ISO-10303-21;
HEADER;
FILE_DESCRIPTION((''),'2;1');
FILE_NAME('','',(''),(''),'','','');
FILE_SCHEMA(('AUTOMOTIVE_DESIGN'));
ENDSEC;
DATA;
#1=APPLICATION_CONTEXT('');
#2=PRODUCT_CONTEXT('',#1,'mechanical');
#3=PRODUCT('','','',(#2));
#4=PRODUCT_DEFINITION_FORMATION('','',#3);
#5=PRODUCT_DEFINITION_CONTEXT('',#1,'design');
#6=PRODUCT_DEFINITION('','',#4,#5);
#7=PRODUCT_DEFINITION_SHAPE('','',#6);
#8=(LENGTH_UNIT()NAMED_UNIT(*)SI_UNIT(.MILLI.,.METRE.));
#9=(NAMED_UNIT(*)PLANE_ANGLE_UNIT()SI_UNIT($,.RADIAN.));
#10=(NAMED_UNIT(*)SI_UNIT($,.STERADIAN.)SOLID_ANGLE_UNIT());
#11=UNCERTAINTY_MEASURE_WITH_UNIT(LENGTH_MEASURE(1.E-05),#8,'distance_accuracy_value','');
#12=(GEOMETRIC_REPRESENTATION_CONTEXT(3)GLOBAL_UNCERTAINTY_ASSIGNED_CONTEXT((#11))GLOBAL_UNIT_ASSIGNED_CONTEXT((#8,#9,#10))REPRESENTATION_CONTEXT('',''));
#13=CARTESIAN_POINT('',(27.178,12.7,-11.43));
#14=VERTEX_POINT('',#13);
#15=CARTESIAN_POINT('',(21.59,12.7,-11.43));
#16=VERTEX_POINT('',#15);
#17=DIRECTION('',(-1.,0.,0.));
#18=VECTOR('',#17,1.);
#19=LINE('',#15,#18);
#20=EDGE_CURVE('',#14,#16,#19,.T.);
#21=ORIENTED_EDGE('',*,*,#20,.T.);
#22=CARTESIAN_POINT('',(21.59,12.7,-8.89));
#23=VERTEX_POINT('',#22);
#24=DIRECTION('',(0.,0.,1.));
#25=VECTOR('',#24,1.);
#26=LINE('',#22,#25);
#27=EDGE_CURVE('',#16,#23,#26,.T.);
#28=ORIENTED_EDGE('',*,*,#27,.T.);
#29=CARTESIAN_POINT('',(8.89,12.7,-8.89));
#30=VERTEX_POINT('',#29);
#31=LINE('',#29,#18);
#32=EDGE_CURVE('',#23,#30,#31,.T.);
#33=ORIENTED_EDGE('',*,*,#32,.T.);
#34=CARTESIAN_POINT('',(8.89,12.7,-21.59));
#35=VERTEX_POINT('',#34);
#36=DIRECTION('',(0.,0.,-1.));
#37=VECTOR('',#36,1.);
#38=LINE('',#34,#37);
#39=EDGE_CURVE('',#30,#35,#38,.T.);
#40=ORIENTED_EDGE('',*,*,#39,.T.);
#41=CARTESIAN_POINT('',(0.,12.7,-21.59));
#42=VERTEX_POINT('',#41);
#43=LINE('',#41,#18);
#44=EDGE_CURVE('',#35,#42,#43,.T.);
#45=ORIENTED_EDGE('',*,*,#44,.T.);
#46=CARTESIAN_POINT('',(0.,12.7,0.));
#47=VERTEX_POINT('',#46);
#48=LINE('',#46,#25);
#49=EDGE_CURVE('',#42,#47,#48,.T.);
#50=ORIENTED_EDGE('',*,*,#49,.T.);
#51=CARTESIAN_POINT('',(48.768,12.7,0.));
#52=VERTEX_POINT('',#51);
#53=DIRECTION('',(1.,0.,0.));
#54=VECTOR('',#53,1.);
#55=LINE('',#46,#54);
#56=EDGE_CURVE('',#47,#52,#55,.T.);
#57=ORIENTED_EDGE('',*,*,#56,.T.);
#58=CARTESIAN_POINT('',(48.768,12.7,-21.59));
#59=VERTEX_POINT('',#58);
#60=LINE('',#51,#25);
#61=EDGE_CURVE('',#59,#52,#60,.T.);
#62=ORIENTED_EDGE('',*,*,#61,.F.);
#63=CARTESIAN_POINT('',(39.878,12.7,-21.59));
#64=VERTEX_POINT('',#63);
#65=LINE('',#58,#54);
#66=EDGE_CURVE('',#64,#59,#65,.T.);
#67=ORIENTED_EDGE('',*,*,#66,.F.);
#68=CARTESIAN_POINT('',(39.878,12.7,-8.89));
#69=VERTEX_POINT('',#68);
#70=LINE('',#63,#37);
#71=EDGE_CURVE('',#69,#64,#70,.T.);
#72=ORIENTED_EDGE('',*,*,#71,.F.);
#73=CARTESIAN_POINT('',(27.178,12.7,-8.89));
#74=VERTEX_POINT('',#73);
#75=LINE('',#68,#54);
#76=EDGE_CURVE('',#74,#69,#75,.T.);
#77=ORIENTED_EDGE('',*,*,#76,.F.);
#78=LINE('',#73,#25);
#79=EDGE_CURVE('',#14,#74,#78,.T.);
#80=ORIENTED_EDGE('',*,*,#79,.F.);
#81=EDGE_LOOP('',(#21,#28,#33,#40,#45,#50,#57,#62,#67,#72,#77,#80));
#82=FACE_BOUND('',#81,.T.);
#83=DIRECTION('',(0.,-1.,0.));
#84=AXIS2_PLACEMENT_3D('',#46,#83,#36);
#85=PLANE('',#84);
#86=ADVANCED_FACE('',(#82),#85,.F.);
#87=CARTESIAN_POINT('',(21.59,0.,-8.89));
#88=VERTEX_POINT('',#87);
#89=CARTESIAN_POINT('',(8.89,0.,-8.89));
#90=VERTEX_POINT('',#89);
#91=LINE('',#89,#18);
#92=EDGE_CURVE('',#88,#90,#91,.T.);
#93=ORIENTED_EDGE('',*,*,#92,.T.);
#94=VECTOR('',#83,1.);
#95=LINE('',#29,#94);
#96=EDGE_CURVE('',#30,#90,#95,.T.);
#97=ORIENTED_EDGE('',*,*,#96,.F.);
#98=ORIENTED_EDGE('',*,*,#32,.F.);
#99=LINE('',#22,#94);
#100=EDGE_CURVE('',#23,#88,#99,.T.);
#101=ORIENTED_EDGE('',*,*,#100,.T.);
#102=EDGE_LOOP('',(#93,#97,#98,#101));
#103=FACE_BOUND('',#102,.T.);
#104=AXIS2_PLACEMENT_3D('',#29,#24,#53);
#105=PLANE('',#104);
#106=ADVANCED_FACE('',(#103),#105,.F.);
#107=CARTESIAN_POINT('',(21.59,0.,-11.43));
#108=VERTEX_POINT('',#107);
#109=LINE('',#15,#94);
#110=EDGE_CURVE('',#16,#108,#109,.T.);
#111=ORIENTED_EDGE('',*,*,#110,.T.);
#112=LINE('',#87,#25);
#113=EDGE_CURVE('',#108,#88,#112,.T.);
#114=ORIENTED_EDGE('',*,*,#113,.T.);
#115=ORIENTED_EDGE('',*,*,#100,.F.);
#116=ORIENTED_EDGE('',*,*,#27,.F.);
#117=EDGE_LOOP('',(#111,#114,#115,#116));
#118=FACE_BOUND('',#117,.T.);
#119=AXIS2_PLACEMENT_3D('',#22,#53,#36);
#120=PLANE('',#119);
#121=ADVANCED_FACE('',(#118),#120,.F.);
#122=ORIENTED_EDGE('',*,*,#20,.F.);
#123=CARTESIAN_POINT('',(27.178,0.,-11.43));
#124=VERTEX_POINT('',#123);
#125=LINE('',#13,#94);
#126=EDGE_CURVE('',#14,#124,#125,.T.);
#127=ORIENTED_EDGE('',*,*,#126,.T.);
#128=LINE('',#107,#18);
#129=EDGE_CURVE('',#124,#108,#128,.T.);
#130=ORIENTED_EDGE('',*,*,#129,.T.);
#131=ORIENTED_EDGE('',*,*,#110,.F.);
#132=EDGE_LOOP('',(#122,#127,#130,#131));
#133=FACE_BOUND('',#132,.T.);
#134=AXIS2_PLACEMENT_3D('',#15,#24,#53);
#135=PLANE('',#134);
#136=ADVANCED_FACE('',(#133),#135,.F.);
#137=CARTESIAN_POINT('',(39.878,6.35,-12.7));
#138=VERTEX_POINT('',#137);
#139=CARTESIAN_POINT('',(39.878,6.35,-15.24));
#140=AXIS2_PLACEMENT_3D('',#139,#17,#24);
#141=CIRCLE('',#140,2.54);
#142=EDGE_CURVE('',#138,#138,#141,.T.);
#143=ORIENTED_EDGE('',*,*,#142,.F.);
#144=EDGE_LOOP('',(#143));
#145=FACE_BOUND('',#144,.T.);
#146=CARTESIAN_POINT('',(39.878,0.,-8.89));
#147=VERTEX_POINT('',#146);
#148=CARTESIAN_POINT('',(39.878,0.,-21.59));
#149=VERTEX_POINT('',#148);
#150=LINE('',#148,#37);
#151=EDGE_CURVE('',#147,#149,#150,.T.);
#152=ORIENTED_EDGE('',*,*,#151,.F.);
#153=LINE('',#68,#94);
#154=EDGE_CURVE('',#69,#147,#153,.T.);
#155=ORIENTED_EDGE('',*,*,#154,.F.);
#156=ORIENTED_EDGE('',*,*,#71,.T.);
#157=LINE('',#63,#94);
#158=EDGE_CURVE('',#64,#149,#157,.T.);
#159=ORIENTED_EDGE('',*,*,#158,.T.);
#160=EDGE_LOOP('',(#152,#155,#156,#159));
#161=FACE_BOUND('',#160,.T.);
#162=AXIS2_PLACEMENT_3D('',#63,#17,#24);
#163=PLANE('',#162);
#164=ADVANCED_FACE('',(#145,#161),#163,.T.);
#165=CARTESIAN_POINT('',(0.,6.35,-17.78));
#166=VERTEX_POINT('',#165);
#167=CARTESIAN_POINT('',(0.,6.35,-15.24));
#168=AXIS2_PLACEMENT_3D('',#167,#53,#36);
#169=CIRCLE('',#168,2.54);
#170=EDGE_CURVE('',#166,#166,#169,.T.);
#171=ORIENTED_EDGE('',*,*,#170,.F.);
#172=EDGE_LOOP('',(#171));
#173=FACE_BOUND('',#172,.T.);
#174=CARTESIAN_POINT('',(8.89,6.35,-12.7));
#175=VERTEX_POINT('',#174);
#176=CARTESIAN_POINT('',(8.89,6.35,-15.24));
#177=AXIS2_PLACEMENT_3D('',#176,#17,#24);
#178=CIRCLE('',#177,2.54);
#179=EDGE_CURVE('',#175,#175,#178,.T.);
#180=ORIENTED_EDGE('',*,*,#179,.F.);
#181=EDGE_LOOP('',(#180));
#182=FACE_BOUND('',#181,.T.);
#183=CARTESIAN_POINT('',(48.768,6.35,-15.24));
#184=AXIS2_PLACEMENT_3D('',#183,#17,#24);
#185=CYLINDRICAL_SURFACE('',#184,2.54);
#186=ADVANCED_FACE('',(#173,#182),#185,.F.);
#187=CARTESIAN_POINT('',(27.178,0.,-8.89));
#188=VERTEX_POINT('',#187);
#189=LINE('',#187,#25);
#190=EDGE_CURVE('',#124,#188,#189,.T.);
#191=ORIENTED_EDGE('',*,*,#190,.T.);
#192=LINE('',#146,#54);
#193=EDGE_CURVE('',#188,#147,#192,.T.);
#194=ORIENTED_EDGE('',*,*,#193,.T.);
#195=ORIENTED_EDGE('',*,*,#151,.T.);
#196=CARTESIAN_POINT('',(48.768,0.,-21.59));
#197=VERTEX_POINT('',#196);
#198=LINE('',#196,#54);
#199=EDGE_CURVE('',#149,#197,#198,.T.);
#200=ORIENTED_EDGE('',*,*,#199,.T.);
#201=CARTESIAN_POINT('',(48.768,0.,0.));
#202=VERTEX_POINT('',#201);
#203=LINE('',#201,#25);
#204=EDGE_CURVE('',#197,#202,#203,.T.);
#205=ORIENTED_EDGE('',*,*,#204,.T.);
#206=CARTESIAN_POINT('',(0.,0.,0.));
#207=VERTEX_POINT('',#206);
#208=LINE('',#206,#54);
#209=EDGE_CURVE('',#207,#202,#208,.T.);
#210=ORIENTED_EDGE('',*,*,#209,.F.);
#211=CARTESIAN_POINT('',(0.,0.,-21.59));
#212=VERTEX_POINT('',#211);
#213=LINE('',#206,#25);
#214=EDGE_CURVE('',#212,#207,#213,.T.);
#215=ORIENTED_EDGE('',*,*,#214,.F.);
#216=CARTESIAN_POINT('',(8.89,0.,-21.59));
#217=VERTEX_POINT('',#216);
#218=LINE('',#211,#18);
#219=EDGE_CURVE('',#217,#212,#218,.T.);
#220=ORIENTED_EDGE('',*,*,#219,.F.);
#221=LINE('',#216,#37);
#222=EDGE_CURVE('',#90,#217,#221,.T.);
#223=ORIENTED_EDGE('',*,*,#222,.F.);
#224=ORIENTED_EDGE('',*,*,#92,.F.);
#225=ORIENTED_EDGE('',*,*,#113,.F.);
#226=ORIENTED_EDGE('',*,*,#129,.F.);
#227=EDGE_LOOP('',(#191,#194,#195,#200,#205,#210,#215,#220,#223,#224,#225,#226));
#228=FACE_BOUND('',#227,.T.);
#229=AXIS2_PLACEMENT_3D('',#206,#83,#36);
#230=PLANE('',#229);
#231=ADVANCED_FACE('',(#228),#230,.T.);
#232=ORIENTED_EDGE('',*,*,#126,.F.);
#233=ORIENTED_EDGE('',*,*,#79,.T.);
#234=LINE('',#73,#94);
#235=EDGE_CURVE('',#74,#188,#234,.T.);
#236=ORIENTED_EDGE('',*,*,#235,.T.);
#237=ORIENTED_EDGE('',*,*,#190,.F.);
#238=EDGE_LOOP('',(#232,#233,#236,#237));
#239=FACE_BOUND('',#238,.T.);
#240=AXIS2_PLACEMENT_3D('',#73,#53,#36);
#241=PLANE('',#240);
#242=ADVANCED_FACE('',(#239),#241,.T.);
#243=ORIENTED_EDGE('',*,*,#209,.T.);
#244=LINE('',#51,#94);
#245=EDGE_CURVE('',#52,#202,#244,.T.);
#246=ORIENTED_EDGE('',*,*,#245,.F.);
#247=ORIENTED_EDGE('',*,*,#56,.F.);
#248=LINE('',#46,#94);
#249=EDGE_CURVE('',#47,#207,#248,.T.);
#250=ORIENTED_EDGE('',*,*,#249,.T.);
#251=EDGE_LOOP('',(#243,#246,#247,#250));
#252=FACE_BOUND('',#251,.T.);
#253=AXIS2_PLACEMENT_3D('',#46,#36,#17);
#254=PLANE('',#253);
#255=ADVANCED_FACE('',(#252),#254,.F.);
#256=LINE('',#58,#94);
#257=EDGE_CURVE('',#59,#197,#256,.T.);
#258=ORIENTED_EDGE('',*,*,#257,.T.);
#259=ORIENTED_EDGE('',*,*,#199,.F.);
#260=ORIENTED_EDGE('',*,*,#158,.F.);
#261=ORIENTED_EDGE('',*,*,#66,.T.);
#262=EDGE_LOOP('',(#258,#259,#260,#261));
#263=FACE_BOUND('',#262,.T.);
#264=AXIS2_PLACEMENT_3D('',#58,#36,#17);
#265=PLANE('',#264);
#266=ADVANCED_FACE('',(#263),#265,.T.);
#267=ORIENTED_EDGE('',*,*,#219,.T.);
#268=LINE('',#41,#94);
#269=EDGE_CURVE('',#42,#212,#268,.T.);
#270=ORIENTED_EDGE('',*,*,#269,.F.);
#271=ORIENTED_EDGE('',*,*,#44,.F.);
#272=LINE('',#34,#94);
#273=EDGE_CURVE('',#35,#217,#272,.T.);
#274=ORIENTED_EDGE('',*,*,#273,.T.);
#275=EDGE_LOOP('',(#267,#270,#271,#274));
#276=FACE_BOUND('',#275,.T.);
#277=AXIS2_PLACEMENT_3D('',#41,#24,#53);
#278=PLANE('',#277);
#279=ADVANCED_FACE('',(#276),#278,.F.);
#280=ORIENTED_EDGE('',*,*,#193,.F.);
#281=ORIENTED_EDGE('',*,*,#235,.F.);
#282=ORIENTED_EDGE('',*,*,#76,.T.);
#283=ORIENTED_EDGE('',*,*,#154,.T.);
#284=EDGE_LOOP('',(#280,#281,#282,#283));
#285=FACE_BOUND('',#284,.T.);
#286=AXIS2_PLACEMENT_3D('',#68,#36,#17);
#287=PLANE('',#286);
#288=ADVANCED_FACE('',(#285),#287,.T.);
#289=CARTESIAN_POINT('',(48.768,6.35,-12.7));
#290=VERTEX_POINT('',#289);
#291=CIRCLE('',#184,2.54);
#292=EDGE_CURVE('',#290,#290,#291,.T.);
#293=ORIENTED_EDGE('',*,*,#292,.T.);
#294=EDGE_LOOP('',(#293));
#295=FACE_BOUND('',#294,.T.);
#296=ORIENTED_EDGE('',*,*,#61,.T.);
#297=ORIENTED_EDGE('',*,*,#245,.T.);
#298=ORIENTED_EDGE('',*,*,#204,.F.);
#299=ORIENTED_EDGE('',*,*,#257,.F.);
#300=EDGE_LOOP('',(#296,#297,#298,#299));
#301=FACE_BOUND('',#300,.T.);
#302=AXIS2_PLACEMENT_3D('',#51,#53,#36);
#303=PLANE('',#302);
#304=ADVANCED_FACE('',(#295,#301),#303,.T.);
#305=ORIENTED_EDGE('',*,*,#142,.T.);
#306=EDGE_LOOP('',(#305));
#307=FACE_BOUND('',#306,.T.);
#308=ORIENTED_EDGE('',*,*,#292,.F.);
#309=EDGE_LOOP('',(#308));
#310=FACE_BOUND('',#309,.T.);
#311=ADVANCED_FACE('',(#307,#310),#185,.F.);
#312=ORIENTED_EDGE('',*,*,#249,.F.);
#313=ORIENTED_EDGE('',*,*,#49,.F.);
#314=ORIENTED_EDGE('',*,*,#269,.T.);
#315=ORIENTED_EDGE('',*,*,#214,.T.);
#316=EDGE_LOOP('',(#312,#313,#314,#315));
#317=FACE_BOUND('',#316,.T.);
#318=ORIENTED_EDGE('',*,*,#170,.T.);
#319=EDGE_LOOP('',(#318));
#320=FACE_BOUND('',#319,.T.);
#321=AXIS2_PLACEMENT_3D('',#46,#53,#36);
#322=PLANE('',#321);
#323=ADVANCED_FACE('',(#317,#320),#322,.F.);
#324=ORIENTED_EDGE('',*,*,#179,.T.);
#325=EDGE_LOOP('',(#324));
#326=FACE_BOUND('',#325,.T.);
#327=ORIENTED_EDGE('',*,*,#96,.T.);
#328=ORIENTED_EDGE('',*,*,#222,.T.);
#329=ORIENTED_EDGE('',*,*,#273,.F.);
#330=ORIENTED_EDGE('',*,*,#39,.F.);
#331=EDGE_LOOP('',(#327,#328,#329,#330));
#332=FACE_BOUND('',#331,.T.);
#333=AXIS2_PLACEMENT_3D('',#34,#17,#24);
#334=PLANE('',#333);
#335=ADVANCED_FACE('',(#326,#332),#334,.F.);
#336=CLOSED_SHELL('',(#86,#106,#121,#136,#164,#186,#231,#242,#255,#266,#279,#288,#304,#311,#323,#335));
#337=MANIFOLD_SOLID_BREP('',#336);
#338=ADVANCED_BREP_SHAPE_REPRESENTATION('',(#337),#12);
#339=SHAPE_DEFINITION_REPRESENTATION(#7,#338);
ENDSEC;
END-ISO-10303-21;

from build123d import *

# Parameters (mm, degrees)
BOSS_EXTRUDE1_DEPTH     = 12.7
CUT_EXTRUDE1_DEPTH      = 55.824592329
CUT_EXTRUDE1_DEPTH_BACK = 55.824592329
SKETCH3_R               = 2.54


with BuildPart() as part:
    # Sketch1 → Boss-Extrude1 (new body)
    with BuildSketch(Plane(origin=(0, 0, 0), x_dir=(1, 0, 0), z_dir=(0, 1, 0))):
        Polygon((0, 0), (24.384, 0), (24.384, 11.43), (21.59, 11.43), (21.59, 8.89), (8.89, 8.89), (8.89, 21.59), (0, 21.59), align=None)
    boss_extrude1 = extrude(amount=BOSS_EXTRUDE1_DEPTH)

    # Mirror1: Boss-Extrude1 across plane
    add(boss_extrude1.mirror(Plane(origin=(24.384, 12.7, -11.43), x_dir=(0, 0, 1), z_dir=(-1, 0, 0))))

    # Sketch3 → Cut-Extrude1 (cut, two sides: drawn at the far end of the back side and taken through both)
    with BuildSketch(Plane.ZY.offset(-CUT_EXTRUDE1_DEPTH_BACK)):
        with Locations((-15.24, 6.35)):
            Circle(SKETCH3_R)
    extrude(amount=CUT_EXTRUDE1_DEPTH + CUT_EXTRUDE1_DEPTH_BACK, mode=Mode.SUBTRACT)


solid = part.part
